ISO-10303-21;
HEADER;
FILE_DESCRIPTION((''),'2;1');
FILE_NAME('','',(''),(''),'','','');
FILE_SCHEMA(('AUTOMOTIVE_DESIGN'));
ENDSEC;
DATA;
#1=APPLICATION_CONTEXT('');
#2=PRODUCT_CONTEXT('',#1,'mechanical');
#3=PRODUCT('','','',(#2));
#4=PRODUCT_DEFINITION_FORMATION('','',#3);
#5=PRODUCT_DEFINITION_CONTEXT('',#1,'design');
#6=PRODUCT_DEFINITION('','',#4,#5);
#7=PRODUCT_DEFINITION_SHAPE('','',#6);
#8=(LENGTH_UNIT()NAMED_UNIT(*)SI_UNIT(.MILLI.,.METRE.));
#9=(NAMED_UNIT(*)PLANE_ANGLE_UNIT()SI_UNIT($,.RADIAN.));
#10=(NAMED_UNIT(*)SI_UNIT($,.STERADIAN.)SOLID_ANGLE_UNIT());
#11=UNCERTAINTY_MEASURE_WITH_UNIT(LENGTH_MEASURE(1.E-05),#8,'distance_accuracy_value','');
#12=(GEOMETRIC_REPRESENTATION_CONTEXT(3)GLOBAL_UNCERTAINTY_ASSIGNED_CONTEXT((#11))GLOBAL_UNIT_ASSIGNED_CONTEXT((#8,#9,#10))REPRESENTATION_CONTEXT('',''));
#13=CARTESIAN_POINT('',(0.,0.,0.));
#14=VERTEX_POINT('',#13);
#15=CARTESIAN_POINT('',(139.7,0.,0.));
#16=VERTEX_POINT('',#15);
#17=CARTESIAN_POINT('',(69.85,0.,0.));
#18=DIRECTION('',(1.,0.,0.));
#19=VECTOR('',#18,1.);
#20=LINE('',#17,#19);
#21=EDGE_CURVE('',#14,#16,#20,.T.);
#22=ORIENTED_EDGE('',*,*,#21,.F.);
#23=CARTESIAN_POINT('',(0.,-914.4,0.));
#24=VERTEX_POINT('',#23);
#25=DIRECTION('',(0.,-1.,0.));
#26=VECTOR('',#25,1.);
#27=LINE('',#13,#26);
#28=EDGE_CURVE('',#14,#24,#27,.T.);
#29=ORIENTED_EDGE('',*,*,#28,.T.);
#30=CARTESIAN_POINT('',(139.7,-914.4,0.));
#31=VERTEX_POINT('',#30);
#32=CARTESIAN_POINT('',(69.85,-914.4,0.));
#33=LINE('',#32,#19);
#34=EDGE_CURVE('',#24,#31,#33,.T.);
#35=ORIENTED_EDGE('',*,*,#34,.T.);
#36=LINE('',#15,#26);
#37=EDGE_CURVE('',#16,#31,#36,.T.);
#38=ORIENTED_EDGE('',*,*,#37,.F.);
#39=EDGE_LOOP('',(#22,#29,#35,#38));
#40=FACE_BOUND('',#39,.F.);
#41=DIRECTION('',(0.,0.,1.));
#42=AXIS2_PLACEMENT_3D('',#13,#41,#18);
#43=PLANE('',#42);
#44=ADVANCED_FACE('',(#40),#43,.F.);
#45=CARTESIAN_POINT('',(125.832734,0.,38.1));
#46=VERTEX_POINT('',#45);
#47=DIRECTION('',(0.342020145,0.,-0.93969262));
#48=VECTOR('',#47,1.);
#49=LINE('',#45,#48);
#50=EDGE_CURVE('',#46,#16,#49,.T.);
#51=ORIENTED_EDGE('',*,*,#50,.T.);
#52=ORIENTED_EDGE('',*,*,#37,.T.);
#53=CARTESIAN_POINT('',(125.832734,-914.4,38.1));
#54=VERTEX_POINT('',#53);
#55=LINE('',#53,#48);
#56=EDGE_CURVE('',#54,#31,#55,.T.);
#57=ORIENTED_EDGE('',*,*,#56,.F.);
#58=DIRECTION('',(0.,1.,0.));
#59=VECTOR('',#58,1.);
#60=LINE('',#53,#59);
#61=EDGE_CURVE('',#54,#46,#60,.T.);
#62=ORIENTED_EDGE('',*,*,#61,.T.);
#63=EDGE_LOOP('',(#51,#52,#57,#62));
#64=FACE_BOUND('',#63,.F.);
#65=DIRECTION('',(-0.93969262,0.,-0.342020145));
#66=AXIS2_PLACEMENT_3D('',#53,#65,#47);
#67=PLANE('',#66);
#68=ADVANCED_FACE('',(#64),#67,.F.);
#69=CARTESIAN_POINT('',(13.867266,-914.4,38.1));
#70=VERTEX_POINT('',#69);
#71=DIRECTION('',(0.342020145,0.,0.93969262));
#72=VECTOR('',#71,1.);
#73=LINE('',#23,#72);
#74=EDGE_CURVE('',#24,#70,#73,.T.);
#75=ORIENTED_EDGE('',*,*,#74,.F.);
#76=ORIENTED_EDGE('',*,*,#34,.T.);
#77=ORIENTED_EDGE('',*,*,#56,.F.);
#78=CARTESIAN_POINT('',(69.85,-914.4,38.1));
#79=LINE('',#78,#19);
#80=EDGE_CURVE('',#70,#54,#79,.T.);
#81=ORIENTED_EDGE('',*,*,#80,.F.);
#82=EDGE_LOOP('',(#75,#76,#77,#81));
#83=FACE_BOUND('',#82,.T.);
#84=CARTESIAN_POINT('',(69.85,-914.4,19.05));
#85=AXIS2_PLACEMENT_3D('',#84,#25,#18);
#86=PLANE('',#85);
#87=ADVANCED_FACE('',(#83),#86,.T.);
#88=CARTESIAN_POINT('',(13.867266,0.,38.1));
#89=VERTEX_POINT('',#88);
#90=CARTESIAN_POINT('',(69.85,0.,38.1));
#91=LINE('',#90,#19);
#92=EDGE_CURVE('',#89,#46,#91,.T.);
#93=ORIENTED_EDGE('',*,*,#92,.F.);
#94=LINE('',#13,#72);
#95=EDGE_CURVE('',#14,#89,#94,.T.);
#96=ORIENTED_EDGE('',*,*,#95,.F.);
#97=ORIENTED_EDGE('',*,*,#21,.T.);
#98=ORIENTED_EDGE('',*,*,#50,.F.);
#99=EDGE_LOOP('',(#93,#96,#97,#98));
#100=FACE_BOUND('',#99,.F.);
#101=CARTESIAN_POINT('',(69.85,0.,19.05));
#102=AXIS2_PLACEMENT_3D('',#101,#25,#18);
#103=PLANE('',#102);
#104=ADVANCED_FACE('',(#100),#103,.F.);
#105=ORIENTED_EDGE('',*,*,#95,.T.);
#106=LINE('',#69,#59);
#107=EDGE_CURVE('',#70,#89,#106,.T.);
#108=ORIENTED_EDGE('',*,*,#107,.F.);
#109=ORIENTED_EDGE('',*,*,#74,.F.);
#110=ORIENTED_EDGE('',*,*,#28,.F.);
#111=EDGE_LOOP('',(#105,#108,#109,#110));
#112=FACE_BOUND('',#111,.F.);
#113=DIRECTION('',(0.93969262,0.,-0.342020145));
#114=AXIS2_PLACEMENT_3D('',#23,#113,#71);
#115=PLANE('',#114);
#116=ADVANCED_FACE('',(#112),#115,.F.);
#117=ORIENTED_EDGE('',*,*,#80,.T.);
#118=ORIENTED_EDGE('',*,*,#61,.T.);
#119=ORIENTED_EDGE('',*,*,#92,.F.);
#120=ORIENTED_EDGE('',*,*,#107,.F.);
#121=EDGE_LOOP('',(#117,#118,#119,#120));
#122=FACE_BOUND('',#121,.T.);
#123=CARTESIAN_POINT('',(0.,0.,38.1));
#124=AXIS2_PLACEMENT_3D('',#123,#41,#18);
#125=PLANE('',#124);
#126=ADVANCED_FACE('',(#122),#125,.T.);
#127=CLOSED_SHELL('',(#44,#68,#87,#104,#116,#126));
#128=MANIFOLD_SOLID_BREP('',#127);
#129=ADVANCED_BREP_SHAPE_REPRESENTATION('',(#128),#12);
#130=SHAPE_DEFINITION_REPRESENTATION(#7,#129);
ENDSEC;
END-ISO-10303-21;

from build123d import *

# Parameters (mm, degrees)
F0_W     = 139.7
F0_H     = 38.1
F1_DEPTH = 914.4
F3_DEPTH = 914.4


with BuildPart() as f1:
    # F0 (on Front) → F1 (new body)
    with BuildSketch(Plane.XZ):
        with Locations((69.85, 19.05)):
            Rectangle(F0_W, F0_H)
    extrude(amount=F1_DEPTH)

    # F2 (on face) → F3 (cut)
    with BuildSketch(Plane.XZ.offset(914.4)):
        Polygon((0, 38.1), (0, 0), (13.867266, 38.1), align=None)
        Polygon((125.832734, 38.1), (139.7, 0), (139.7, 38.1), align=None)
    extrude(amount=-F3_DEPTH, mode=Mode.SUBTRACT)


solid = f1.part
